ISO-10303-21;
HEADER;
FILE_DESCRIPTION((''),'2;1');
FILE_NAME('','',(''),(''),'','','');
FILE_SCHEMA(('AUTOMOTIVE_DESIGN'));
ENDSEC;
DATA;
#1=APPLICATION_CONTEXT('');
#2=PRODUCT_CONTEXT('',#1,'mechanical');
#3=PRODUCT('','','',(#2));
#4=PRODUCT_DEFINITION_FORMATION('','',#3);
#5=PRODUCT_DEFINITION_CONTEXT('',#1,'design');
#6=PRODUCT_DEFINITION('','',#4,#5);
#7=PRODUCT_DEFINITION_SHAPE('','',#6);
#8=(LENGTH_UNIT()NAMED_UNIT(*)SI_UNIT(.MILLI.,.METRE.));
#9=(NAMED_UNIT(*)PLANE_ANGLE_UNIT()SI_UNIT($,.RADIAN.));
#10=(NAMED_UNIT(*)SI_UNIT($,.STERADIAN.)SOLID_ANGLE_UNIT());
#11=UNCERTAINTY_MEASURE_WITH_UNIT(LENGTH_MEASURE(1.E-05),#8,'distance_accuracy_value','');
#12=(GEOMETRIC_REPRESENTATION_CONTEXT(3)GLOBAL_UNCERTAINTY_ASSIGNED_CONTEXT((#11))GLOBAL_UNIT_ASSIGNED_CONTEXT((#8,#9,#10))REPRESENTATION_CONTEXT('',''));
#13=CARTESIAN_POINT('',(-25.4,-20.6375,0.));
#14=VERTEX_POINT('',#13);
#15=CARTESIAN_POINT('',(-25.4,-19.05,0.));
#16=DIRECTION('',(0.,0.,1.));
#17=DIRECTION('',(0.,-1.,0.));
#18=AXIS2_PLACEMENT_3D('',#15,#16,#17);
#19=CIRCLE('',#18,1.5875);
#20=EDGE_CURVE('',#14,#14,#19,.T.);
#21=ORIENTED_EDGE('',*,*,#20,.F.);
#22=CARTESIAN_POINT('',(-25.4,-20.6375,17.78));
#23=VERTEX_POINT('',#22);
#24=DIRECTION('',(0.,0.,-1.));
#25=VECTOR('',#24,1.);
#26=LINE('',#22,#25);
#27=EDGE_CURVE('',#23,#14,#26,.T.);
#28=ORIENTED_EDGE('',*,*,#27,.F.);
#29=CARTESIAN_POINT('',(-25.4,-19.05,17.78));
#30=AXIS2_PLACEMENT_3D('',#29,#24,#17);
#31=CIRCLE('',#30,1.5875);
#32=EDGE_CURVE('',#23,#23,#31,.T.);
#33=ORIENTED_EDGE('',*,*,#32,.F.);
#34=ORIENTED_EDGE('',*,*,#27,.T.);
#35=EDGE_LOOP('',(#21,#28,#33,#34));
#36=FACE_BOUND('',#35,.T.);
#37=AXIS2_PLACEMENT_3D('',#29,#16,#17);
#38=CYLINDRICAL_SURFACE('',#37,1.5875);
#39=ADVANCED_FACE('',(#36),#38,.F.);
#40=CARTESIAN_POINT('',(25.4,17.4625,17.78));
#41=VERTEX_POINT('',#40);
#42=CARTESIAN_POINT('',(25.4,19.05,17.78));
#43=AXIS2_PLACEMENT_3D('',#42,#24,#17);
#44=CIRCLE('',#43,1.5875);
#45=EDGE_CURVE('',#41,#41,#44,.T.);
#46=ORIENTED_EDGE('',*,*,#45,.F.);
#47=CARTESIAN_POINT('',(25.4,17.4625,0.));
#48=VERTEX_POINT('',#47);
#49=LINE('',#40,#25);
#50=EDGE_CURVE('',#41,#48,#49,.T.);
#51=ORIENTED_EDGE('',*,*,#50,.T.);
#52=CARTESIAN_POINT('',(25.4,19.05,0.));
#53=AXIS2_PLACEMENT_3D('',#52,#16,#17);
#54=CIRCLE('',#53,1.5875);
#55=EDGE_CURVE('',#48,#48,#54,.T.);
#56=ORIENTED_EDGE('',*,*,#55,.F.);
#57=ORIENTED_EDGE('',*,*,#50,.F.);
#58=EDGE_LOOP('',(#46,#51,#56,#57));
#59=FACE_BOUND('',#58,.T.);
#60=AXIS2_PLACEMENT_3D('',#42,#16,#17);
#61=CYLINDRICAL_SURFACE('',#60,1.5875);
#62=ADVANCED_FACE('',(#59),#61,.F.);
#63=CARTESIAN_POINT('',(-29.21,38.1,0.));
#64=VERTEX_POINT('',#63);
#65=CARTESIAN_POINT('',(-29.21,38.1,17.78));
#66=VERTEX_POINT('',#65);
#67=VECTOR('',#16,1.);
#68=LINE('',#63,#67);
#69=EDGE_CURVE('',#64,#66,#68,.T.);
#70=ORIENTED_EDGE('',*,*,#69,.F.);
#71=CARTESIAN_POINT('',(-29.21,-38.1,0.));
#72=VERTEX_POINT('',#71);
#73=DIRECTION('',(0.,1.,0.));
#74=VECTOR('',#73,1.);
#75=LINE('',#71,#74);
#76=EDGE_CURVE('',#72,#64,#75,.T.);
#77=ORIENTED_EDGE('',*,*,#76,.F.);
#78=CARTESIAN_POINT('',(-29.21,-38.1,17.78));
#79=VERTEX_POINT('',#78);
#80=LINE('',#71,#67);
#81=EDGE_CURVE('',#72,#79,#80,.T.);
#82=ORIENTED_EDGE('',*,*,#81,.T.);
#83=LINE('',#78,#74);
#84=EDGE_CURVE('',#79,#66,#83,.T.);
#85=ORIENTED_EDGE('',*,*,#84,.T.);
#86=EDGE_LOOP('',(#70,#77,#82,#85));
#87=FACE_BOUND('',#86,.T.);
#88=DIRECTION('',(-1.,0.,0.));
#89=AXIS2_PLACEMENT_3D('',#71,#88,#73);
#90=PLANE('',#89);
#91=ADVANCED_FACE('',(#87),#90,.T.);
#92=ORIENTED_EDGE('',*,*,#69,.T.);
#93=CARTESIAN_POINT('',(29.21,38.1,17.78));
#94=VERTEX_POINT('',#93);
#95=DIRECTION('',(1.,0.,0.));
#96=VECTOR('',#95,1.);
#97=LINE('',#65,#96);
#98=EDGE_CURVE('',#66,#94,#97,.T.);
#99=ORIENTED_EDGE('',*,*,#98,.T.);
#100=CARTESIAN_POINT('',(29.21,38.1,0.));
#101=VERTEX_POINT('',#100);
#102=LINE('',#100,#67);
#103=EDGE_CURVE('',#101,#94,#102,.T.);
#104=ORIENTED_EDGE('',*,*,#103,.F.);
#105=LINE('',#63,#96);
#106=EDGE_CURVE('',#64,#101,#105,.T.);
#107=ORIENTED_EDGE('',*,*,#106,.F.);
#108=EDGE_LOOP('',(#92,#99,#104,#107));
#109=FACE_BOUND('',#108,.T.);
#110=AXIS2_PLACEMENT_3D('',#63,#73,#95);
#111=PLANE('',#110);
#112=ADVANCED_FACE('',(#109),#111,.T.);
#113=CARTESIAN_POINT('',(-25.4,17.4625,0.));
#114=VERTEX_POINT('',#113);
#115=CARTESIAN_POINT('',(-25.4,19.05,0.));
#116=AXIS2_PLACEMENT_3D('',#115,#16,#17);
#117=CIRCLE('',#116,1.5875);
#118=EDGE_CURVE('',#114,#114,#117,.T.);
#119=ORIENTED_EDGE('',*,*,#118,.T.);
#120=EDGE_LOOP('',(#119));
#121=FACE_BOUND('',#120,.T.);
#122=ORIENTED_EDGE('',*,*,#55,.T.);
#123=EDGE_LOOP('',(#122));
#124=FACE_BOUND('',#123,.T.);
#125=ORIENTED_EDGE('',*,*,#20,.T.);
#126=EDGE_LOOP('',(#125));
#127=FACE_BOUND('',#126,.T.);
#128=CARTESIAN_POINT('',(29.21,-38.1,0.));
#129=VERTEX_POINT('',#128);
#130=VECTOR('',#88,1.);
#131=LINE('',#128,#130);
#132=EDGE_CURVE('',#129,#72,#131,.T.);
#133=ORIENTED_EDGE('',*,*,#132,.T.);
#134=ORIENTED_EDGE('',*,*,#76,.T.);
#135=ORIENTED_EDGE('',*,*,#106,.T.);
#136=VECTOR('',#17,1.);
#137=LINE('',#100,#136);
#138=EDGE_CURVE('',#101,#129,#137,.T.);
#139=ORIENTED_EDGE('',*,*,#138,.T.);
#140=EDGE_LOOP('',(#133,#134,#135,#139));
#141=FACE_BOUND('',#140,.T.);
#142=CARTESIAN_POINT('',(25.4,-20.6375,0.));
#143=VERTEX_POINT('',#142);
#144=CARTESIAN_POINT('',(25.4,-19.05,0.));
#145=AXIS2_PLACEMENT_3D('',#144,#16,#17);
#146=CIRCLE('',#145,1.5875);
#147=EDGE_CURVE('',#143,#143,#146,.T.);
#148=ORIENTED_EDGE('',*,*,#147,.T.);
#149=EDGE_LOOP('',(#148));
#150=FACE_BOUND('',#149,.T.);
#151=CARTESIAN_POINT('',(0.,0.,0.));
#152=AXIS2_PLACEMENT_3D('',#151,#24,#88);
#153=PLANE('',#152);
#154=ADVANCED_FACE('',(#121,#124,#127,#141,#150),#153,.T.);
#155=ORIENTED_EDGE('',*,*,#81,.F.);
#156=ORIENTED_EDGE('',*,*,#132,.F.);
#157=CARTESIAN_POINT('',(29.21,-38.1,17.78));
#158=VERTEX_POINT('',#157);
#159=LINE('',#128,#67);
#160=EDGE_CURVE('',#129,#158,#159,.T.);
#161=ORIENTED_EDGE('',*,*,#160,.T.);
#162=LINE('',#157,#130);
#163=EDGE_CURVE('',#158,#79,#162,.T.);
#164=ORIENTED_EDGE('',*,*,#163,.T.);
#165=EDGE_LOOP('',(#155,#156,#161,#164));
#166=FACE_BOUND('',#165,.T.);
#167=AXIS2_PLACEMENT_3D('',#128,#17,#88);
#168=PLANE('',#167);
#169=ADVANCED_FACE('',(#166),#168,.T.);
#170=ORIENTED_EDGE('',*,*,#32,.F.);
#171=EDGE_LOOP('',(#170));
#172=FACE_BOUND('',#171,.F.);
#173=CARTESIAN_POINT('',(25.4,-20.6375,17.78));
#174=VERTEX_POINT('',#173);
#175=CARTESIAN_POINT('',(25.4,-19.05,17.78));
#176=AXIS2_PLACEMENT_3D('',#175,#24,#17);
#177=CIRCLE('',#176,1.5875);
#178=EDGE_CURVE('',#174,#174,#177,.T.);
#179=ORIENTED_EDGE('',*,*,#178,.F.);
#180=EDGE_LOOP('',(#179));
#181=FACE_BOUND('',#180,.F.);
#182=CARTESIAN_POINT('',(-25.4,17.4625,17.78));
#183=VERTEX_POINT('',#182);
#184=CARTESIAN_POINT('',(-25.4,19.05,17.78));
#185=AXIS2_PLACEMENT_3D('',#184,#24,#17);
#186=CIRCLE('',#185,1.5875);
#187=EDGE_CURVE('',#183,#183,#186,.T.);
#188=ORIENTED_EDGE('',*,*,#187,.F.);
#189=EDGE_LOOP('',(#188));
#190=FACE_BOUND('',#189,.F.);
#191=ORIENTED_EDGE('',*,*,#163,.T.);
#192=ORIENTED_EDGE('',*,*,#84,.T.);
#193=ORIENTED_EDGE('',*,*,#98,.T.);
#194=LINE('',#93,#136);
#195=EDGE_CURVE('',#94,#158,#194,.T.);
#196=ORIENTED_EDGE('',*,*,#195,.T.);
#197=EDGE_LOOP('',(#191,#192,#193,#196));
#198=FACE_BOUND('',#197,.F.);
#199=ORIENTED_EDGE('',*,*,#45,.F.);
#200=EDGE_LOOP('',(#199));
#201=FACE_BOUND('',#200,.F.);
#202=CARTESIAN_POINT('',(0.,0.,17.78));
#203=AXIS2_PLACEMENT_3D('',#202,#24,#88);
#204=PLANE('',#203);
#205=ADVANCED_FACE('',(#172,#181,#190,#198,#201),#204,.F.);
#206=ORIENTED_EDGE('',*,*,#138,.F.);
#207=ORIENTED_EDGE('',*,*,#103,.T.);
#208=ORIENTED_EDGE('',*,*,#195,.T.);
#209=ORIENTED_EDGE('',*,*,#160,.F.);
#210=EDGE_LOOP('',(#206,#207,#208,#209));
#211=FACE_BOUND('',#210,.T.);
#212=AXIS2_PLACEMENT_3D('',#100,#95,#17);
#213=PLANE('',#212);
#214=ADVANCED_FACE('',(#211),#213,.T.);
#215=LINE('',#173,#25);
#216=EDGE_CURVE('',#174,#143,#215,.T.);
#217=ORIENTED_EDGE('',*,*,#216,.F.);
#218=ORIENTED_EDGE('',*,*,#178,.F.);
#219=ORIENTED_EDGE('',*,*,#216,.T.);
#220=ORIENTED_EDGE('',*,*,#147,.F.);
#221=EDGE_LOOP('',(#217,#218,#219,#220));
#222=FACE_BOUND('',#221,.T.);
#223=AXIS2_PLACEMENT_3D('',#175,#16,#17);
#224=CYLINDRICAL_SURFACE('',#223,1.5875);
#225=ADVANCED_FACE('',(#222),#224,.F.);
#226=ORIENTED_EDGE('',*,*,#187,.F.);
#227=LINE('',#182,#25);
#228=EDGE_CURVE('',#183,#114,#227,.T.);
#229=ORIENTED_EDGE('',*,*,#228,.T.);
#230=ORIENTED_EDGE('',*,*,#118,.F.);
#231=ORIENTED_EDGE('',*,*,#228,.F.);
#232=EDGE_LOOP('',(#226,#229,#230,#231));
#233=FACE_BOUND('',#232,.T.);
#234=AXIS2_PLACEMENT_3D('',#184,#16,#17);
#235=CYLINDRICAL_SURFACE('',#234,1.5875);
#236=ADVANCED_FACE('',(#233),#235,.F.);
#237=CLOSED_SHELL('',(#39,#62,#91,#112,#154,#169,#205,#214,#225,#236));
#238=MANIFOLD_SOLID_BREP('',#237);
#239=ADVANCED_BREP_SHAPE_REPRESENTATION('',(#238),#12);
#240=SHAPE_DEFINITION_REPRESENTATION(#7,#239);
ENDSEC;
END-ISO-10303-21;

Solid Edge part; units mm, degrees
sketch "Sketch1" plane through (0, 0, 0) normal (0, 0, 1) x (1, 0, 0)
  line L0 (-29.21, 38.1) -> (29.21, 38.1)
  line L1 (29.21, 38.1) -> (29.21, -38.1)
  line L2 (29.21, -38.1) -> (-29.21, -38.1)
  line L3 (-29.21, -38.1) -> (-29.21, 38.1)
  dimension "D1" = 76.2
  dimension "D2" = 58.42
extrude "Protrusion1" add sketch "Sketch1" along normal blind 17.78
hole "Hole_1" at (25.4, 19.05, 17.78) direction (0, 0, -1) diameter 3.175 end up to next
hole "Hole1" at (25.4, -19.05, 17.78) direction (0, 0, -1) diameter 3.175 end up to next
hole "Hole2" at (-25.4, -19.05, 17.78) direction (0, 0, -1) diameter 3.175 end up to next
hole "Hole3" at (-25.4, 19.05, 17.78) direction (0, 0, -1) diameter 3.175 end up to next
